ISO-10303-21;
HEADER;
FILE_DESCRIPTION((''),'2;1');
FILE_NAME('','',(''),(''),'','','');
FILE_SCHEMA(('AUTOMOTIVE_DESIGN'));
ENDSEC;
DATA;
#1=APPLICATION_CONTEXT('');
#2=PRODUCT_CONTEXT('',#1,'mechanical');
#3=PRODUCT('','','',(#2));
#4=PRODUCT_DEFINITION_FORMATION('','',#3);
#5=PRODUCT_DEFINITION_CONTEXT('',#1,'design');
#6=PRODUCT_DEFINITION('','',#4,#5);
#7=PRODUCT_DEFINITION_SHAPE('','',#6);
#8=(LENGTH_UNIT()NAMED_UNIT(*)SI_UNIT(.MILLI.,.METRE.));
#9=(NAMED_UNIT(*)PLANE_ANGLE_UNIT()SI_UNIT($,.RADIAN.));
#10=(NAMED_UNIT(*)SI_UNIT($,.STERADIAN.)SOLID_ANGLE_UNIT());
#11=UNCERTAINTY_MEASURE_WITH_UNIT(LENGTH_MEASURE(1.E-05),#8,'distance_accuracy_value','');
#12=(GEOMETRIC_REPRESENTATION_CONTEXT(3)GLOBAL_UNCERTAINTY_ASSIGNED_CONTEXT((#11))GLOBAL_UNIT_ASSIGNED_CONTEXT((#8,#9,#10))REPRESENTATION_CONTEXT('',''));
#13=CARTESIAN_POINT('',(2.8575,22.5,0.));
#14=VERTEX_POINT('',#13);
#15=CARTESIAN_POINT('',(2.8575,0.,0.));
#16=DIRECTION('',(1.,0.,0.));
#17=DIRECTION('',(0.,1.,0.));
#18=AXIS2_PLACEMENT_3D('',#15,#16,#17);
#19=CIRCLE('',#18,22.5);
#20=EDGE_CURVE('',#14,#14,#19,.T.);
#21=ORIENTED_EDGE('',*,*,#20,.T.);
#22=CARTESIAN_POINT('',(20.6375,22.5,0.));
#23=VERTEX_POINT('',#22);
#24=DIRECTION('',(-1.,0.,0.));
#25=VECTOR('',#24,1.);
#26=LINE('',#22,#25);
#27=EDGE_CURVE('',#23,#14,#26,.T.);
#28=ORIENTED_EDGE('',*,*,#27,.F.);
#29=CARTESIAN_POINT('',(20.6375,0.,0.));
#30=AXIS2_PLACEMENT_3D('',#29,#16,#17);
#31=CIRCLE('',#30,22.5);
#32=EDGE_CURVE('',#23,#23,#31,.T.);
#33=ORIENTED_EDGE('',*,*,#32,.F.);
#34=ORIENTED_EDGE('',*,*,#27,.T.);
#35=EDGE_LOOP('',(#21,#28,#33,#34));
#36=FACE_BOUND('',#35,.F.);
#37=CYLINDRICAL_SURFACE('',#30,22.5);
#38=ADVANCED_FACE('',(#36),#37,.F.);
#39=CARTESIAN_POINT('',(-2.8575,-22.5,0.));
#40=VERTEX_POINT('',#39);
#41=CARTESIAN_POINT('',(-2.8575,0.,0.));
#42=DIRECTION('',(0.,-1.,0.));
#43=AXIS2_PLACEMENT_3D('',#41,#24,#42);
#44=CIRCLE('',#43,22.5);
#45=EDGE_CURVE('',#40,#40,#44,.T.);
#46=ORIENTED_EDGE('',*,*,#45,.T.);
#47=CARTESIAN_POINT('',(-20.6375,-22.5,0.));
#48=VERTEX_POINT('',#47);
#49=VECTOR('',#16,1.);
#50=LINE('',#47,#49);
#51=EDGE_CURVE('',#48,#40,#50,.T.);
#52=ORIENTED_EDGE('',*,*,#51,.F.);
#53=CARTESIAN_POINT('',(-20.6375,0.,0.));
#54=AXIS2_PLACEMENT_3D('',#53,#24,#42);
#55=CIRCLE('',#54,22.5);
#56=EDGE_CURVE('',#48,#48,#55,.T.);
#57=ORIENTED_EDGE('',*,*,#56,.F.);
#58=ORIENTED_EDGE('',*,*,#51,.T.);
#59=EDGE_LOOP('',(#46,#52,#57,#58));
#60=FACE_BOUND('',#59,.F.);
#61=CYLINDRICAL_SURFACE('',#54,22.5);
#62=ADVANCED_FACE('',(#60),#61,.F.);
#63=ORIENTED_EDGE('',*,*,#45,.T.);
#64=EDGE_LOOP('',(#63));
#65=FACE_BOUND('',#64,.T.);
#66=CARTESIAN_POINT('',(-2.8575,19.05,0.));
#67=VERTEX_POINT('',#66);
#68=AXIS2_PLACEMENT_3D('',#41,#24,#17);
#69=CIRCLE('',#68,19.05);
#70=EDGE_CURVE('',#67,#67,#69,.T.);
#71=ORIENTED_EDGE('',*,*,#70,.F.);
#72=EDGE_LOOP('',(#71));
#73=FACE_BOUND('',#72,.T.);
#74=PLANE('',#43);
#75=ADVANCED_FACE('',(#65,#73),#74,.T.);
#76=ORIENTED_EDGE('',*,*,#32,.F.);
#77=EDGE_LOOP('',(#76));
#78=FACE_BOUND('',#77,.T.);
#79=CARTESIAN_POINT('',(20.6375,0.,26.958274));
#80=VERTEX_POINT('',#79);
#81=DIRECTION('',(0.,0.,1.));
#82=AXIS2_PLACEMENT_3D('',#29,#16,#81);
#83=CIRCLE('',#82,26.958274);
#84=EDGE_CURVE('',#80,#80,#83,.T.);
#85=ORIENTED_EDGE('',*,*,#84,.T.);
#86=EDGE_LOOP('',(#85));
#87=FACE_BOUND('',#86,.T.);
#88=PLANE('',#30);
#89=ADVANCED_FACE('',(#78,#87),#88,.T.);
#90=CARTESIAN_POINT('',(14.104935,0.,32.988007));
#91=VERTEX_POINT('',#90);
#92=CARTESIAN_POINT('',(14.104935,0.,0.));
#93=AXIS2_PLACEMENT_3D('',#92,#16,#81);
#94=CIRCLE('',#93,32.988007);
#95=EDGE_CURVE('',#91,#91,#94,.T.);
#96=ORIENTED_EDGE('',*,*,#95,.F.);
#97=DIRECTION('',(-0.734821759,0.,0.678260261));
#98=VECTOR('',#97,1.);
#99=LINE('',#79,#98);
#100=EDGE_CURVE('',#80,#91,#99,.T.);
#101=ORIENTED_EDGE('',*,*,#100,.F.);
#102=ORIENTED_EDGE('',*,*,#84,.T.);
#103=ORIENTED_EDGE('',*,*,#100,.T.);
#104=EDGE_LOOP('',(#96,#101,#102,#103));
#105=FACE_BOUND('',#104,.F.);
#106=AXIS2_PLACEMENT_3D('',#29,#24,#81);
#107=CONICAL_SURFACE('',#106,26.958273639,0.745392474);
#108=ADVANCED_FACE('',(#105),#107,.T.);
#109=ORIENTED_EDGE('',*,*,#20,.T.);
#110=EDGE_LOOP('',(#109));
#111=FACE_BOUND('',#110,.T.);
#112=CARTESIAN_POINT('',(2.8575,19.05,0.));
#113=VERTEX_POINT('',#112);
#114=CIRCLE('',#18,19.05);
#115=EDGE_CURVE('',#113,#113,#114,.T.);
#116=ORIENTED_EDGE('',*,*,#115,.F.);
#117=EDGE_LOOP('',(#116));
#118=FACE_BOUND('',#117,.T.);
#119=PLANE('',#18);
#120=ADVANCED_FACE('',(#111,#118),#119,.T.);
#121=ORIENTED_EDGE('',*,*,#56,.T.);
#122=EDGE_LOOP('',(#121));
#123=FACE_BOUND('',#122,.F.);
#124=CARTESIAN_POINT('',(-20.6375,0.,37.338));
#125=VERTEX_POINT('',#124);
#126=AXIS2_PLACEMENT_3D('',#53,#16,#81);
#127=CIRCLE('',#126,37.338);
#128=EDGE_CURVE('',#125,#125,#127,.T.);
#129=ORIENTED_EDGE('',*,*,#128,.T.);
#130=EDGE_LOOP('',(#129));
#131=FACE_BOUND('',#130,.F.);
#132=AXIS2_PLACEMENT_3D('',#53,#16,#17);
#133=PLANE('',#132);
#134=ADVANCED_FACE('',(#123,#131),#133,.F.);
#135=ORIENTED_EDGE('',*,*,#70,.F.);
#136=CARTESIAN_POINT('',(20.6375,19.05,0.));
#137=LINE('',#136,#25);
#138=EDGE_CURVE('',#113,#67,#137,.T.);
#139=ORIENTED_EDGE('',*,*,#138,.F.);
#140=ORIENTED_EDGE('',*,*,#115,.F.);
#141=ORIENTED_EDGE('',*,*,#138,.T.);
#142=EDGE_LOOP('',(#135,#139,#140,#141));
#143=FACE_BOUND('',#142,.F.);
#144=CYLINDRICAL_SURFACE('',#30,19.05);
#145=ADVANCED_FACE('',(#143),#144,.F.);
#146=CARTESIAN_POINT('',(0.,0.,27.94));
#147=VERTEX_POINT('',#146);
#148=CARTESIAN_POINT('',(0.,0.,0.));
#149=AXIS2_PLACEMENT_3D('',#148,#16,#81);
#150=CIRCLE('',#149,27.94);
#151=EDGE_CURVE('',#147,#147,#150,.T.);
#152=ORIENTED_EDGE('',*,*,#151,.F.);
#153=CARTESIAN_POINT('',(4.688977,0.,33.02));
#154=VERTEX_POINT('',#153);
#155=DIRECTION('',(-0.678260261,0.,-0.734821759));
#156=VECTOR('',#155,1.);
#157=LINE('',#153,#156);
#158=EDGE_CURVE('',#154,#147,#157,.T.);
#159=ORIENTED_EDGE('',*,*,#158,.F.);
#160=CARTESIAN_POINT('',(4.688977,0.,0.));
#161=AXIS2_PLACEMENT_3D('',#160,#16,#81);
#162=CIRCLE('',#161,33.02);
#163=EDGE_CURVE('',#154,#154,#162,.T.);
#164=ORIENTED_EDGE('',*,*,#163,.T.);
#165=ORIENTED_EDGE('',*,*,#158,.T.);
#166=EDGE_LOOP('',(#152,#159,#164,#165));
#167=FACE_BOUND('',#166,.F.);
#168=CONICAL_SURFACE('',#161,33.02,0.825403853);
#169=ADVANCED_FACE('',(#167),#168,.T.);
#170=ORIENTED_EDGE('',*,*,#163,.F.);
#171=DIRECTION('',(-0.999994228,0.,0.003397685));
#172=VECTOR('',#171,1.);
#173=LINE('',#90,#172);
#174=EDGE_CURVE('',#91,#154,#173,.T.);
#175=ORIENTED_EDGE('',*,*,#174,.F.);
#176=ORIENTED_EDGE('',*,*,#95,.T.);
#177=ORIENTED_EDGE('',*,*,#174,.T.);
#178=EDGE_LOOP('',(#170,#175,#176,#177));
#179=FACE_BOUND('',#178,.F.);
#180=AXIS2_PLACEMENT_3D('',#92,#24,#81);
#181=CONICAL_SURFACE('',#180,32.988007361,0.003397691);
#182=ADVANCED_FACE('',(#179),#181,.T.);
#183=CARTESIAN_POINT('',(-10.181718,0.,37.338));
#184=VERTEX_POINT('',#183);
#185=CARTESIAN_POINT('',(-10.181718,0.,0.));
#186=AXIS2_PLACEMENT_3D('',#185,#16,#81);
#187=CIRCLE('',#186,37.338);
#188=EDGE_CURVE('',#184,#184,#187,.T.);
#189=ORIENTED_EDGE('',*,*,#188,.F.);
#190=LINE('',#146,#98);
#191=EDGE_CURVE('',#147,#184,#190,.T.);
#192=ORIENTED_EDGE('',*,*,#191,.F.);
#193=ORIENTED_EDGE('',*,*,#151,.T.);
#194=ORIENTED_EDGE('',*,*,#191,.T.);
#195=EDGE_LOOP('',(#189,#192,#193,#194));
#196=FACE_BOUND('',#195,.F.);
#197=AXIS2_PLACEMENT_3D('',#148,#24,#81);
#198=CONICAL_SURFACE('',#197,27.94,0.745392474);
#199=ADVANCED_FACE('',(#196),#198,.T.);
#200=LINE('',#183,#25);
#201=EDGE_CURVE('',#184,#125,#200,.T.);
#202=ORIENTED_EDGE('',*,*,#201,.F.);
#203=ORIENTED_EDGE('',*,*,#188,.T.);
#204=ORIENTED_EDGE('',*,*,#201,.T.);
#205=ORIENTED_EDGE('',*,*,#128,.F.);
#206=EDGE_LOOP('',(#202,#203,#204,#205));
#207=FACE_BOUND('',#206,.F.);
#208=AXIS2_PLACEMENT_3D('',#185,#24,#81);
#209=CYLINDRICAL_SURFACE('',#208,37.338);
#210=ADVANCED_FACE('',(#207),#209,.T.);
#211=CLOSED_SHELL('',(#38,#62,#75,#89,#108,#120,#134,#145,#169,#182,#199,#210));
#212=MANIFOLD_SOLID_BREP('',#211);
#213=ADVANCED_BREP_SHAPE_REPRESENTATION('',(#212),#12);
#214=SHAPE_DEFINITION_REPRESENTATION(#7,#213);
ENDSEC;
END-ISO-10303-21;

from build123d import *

# Parameters (mm, degrees)
F3_R      = 25.4
F3_R_2    = 24.8060859666
F4_DEPTH  = 41.275
F5_R      = 19.05
F6_DEPTH  = 41.276
F7_DEPTH  = 41.275
F8_DEPTH  = 41.276
F9_R      = 22.5
F9_R_2    = 19.05
F10_DEPTH = 17.78
F11_R     = 22.5
F11_R_2   = 19.05
F12_DEPTH = 17.78


with BuildPart() as f2:
    # F1 (on Front) → F2 (revolve)
    with BuildSketch(Plane.XZ):
        Polygon((-20.6375, 25.4), (0, 25.4), (20.6375, 25.4), (20.6375, 26.9582736391), (14.1049345586, 32.9880073607), (4.6889767244, 33.02), (0, 27.94), (-10.1817182737, 37.338), (-20.6375, 37.338), align=None)
    revolve(axis=Axis((0, 0, 0), (1, 0, 0)))

    # F3 (on face) → F4 (join, through all)
    with BuildSketch(Plane.YZ.offset(20.6375)):
        Circle(F3_R)
        Circle(F3_R_2, mode=Mode.SUBTRACT)
    extrude(amount=-F4_DEPTH)

    # F5 (on face) → F6 (cut, through all)
    with BuildSketch(Plane.YZ.offset(20.6375)):
        Circle(F5_R)
    extrude(amount=-F6_DEPTH, mode=Mode.SUBTRACT)

    # F3 (on face) → F7 (join, through all)
    with BuildSketch(Plane.YZ.offset(20.6375)):
        Circle(F3_R_2)
    extrude(amount=-F7_DEPTH)

    # F5 (on face) → F8 (cut, through all)
    with BuildSketch(Plane.YZ.offset(20.6375)):
        Circle(F5_R)
    extrude(amount=-F8_DEPTH, mode=Mode.SUBTRACT)

    # F9 (on face) → F10 (cut)
    with BuildSketch(Plane.YZ.offset(20.6375)):
        Circle(F9_R)
        Circle(F9_R_2, mode=Mode.SUBTRACT)
    extrude(amount=-F10_DEPTH, mode=Mode.SUBTRACT)

    # F11 (on face) → F12 (cut)
    with BuildSketch(Plane(origin=(-20.6375, 0, 0), x_dir=(0, -1, 0), z_dir=(-1, 0, 0))):
        Circle(F11_R)
        Circle(F11_R_2, mode=Mode.SUBTRACT)
    extrude(amount=-F12_DEPTH, mode=Mode.SUBTRACT)


solid = f2.part
